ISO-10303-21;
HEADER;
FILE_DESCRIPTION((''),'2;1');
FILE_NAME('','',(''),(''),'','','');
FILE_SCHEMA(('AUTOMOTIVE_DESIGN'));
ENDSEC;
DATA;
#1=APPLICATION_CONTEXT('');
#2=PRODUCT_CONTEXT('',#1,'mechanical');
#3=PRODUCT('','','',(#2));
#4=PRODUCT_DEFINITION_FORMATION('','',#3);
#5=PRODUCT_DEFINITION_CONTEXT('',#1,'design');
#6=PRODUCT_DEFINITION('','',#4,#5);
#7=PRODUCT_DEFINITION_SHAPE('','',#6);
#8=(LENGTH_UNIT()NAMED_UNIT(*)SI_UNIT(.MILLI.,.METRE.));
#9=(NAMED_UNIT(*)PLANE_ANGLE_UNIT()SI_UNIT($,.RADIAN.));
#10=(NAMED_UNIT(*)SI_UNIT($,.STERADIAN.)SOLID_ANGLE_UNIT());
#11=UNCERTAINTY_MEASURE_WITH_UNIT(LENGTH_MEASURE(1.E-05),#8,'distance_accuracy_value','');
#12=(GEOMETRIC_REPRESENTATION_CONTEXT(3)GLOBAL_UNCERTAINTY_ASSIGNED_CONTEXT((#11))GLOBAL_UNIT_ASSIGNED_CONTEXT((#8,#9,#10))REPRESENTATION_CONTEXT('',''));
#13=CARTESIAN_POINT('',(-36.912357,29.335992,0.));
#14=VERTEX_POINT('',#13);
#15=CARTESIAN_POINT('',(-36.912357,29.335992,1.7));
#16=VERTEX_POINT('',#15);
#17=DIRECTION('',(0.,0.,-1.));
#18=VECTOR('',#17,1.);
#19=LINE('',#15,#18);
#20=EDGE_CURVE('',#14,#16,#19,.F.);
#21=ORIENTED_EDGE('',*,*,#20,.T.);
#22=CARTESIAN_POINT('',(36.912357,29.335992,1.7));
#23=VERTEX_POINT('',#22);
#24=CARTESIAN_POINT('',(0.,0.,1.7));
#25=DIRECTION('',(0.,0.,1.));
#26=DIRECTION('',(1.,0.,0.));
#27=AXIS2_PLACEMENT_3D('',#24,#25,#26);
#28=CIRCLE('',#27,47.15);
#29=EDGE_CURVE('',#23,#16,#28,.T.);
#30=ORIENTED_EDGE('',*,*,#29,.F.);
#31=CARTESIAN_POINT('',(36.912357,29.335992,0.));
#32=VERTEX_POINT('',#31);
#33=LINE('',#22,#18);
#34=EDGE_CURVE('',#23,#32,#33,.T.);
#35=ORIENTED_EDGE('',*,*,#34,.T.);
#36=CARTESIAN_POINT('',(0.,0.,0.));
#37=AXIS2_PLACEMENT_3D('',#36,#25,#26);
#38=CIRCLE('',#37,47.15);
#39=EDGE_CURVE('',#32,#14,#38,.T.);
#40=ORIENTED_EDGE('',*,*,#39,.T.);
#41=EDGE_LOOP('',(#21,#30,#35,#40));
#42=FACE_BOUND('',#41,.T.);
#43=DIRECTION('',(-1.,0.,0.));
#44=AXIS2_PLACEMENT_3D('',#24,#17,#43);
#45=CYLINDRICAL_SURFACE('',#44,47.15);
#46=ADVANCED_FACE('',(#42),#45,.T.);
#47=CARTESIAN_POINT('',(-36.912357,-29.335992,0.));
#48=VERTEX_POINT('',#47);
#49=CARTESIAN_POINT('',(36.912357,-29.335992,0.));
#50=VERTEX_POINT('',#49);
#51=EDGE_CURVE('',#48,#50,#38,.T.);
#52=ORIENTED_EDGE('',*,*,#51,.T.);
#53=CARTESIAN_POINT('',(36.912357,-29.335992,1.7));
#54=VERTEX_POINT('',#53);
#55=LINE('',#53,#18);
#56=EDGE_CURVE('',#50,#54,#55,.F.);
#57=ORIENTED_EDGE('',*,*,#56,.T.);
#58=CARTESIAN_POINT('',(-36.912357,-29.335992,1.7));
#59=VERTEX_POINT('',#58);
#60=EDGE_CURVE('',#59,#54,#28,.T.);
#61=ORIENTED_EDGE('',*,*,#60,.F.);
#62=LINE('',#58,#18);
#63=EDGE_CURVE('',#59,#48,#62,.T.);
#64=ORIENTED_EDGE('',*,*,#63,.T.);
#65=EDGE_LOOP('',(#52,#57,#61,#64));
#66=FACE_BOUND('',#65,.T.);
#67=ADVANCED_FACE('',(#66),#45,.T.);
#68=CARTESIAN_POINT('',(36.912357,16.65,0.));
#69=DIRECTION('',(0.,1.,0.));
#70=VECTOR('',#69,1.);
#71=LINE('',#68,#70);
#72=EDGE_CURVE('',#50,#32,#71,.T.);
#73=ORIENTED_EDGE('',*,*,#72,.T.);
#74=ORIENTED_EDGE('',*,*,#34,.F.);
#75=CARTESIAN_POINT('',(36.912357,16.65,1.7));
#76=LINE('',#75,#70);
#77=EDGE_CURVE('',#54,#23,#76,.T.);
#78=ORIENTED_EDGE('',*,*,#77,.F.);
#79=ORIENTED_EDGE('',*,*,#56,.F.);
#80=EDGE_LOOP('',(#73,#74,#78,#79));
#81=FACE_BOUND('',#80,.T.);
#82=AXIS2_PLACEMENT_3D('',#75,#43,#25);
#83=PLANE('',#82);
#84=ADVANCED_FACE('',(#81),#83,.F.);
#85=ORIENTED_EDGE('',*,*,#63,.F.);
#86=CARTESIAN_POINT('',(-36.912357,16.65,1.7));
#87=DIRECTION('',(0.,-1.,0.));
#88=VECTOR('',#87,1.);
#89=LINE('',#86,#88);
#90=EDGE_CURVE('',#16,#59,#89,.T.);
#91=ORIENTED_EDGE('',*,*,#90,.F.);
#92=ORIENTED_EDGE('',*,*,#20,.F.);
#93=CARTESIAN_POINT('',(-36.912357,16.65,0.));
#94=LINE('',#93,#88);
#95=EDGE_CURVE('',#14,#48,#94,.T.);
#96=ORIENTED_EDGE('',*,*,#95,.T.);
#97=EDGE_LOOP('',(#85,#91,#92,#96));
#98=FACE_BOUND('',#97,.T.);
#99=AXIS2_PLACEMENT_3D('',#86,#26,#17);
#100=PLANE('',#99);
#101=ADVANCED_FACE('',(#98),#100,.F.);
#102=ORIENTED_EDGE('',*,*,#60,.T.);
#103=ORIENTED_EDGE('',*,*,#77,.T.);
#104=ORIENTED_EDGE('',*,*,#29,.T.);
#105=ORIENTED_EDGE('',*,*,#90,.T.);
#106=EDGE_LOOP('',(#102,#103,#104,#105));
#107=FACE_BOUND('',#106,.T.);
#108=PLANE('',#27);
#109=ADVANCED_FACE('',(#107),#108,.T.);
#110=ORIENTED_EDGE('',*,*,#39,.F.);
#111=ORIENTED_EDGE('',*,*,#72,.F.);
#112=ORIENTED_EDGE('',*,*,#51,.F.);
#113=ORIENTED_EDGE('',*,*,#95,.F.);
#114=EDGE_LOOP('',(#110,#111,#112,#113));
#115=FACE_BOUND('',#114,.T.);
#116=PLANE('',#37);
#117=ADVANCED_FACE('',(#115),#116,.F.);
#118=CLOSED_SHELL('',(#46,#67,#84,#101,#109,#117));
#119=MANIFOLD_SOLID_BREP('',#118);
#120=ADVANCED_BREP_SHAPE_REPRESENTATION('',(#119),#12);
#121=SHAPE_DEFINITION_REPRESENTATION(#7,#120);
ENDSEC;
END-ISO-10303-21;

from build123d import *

# Parameters (mm, degrees)
P_IDAT_VYSUNUT_M1_DEPTH  = 1.7
SKICA2_W                 = 11.887522694
SKICA2_H                 = 88.035963051
ODEBRAT_VYSUNUT_M1_DEPTH = 10


with BuildPart() as part:
    # Skica1 → Přidat vysunutím1 (new body)
    with BuildSketch(Plane.XY):
        with BuildLine():
            Line((-44.112356546, 16.65), (-36.912356546, 16.65))
            Line((-36.912356546, 16.65), (-36.912356546, -16.65))
            Line((-36.912356546, -16.65), (-44.112356546, -16.65))
            ThreePointArc((-44.112356546, -16.65), (0, -47.15), (44.112356546, -16.65))
            Line((44.112356546, -16.65), (36.912356546, -16.65))
            Line((36.912356546, -16.65), (36.912356546, 16.65))
            Line((36.912356546, 16.65), (44.112356546, 16.65))
            ThreePointArc((44.112356546, 16.65), (0, 47.15), (-44.112356546, 16.65))
        make_face()
    extrude(amount=P_IDAT_VYSUNUT_M1_DEPTH)

    # Skica2 → Odebrat vysunutím1 (cut)
    with BuildSketch(Plane(origin=(0, 0, 0), x_dir=(-1, 0, 0), z_dir=(0, 0, -1))):
        with Locations((-42.856117893, -1.532659523)):
            Rectangle(SKICA2_W, SKICA2_H)
        with Locations((42.856117893, -1.532659523)):
            Rectangle(SKICA2_W, SKICA2_H)
    extrude(amount=-ODEBRAT_VYSUNUT_M1_DEPTH, mode=Mode.SUBTRACT)


solid = part.part
